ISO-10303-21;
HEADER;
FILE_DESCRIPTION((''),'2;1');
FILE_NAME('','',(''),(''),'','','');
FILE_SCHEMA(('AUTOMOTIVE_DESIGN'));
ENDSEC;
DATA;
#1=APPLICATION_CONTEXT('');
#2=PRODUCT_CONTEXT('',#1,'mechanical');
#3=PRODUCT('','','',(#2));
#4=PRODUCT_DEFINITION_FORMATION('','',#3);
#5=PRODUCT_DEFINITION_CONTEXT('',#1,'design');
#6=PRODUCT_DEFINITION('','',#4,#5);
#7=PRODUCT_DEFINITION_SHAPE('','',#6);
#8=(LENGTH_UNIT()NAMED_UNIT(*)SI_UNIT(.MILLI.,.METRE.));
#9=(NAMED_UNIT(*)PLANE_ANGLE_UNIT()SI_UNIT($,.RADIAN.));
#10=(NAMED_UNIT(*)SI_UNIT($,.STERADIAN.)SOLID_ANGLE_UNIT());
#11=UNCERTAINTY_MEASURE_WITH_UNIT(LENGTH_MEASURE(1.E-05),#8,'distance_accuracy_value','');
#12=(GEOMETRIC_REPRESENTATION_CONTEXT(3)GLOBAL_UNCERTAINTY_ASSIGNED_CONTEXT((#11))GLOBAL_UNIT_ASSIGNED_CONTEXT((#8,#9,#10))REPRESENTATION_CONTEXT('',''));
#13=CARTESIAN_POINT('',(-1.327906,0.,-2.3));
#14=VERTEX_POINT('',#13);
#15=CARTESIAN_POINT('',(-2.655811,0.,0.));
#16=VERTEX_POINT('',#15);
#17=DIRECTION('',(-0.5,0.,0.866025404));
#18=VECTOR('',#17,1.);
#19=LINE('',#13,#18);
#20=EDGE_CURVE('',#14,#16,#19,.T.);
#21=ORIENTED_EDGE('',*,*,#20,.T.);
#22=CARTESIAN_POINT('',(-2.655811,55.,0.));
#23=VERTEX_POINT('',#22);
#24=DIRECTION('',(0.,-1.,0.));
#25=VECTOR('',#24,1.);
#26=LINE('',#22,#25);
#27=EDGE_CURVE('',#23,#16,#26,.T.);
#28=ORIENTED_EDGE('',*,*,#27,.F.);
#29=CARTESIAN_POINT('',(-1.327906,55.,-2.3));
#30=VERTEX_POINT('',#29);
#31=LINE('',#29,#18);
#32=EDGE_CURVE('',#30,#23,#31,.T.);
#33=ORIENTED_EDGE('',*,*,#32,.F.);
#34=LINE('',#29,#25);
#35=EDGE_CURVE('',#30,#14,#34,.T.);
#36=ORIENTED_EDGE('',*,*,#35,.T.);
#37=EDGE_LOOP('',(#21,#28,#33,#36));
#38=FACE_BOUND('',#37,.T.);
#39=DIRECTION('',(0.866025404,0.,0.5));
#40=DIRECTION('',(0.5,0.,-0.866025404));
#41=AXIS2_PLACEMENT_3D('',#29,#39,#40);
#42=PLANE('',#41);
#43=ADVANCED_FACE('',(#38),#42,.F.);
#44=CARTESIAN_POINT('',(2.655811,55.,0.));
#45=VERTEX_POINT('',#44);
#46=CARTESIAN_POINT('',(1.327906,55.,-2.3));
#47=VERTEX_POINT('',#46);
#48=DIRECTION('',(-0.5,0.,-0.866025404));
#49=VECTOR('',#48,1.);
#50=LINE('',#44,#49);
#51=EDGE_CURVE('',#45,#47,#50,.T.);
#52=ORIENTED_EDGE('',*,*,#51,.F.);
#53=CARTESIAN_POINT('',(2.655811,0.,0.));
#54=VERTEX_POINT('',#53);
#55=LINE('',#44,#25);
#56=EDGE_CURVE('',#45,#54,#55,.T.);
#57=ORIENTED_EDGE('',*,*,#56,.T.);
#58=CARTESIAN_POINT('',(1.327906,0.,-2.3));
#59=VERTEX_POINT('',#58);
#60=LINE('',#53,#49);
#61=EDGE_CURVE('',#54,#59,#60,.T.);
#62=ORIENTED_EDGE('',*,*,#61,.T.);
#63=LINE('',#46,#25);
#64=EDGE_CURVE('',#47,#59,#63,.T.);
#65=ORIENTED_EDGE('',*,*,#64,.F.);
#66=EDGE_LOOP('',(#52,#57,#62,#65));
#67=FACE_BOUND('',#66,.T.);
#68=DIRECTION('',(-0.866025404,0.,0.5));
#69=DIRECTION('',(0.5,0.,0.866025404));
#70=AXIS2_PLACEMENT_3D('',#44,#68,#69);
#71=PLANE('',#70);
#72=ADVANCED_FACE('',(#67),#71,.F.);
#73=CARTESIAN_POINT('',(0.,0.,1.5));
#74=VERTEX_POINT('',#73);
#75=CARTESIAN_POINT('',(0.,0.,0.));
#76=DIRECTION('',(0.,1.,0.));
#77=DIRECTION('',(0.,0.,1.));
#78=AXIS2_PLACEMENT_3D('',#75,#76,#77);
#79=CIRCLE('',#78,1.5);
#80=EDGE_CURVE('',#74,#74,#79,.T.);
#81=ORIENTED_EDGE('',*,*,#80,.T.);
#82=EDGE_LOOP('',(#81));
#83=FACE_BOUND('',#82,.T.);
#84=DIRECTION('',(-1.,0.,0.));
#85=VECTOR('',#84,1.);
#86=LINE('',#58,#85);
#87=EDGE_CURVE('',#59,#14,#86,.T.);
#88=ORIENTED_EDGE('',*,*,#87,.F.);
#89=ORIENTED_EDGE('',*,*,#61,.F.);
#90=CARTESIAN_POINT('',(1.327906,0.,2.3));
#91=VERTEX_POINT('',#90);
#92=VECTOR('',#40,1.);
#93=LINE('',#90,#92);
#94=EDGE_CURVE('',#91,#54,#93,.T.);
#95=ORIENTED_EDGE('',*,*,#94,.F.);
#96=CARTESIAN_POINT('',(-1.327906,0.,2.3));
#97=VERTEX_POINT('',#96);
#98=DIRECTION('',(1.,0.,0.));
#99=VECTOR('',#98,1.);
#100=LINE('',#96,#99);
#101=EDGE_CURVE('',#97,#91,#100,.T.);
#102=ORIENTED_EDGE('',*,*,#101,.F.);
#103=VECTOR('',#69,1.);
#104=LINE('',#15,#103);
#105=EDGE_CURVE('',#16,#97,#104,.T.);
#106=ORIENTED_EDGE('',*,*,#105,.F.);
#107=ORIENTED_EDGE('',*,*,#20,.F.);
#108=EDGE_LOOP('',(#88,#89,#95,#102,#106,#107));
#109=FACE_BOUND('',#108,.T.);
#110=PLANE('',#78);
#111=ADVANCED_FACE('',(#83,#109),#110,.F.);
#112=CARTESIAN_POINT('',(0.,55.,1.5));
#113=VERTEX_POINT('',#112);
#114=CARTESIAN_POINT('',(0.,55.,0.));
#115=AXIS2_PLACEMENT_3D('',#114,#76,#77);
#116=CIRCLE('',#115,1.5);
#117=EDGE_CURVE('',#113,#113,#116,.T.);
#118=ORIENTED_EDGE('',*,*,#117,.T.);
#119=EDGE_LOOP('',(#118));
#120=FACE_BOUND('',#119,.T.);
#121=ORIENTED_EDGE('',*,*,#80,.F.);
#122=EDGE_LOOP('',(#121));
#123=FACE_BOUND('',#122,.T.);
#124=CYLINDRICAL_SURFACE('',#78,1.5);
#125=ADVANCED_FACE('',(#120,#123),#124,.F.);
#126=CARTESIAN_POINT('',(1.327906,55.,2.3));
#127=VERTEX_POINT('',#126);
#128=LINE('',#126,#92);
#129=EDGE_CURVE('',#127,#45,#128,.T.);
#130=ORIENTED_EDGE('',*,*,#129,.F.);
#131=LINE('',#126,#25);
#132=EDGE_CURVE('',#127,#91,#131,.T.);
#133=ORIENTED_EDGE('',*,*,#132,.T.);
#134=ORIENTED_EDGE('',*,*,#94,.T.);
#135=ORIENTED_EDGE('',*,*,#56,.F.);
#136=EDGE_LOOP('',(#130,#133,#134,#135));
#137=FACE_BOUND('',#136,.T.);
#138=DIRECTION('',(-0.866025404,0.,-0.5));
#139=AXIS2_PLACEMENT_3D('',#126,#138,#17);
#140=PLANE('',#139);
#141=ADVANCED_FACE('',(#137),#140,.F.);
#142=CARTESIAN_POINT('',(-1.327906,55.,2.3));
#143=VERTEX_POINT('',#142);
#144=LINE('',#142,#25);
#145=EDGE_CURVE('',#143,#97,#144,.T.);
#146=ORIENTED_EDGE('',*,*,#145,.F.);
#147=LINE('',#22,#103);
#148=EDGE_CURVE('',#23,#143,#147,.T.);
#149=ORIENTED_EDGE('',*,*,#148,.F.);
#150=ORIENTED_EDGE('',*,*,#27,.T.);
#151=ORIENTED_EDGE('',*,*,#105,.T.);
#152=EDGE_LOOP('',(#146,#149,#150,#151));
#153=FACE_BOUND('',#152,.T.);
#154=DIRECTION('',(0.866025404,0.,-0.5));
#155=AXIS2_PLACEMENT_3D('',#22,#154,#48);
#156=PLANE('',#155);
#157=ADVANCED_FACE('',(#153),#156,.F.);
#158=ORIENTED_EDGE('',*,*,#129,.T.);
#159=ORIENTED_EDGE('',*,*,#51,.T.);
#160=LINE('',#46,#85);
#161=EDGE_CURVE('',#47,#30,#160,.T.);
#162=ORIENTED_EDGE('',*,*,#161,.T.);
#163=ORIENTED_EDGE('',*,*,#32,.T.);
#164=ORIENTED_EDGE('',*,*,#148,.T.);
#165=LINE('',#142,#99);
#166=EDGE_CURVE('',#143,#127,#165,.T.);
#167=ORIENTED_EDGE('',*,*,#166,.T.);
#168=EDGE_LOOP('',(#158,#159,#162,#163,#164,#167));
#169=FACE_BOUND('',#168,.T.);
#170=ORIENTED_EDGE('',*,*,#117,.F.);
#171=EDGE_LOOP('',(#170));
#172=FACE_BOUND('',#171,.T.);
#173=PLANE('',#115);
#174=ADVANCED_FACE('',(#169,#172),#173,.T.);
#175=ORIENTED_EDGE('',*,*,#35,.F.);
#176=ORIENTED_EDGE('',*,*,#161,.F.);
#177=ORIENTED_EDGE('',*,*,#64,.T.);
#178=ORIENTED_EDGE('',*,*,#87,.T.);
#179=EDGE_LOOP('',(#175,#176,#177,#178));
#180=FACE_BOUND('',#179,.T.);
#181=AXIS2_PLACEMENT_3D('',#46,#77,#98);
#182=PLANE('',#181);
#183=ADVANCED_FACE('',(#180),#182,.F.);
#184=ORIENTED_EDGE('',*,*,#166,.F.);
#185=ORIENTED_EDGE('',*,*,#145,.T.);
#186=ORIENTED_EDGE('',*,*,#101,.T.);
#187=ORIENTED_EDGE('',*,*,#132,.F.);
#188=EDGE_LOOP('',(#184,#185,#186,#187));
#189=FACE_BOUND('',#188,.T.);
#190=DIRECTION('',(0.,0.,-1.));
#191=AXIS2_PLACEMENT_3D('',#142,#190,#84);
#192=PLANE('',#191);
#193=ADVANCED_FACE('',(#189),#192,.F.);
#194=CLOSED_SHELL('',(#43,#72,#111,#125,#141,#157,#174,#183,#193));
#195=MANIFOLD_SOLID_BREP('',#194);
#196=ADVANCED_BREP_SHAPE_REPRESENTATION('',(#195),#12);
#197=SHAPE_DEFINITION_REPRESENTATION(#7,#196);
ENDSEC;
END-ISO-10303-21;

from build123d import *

# Parameters (mm, degrees)
BOSS_EXTRUDE1_DEPTH = 55
SKETCH2_R           = 1.5
CUT_EXTRUDE1_DEPTH  = 56


with BuildPart() as part:
    # Sketch1 → Boss-Extrude1 (new body)
    with BuildSketch(Plane(origin=(0, 0, 0), x_dir=(1, 0, 0), z_dir=(0, 1, 0))):
        Polygon((1.327905619, -2.3), (2.655811238, 0), (1.327905619, 2.3), (-1.327905619, 2.3), (-2.655811238, 0), (-1.327905619, -2.3), align=None)
    extrude(amount=BOSS_EXTRUDE1_DEPTH)

    # Sketch2 → Cut-Extrude1 (cut, through all)
    with BuildSketch(Plane(origin=(0, 55, 0), x_dir=(1, 0, 0), z_dir=(0, 1, 0))):
        Circle(SKETCH2_R)
    extrude(amount=-CUT_EXTRUDE1_DEPTH, mode=Mode.SUBTRACT)


solid = part.part
